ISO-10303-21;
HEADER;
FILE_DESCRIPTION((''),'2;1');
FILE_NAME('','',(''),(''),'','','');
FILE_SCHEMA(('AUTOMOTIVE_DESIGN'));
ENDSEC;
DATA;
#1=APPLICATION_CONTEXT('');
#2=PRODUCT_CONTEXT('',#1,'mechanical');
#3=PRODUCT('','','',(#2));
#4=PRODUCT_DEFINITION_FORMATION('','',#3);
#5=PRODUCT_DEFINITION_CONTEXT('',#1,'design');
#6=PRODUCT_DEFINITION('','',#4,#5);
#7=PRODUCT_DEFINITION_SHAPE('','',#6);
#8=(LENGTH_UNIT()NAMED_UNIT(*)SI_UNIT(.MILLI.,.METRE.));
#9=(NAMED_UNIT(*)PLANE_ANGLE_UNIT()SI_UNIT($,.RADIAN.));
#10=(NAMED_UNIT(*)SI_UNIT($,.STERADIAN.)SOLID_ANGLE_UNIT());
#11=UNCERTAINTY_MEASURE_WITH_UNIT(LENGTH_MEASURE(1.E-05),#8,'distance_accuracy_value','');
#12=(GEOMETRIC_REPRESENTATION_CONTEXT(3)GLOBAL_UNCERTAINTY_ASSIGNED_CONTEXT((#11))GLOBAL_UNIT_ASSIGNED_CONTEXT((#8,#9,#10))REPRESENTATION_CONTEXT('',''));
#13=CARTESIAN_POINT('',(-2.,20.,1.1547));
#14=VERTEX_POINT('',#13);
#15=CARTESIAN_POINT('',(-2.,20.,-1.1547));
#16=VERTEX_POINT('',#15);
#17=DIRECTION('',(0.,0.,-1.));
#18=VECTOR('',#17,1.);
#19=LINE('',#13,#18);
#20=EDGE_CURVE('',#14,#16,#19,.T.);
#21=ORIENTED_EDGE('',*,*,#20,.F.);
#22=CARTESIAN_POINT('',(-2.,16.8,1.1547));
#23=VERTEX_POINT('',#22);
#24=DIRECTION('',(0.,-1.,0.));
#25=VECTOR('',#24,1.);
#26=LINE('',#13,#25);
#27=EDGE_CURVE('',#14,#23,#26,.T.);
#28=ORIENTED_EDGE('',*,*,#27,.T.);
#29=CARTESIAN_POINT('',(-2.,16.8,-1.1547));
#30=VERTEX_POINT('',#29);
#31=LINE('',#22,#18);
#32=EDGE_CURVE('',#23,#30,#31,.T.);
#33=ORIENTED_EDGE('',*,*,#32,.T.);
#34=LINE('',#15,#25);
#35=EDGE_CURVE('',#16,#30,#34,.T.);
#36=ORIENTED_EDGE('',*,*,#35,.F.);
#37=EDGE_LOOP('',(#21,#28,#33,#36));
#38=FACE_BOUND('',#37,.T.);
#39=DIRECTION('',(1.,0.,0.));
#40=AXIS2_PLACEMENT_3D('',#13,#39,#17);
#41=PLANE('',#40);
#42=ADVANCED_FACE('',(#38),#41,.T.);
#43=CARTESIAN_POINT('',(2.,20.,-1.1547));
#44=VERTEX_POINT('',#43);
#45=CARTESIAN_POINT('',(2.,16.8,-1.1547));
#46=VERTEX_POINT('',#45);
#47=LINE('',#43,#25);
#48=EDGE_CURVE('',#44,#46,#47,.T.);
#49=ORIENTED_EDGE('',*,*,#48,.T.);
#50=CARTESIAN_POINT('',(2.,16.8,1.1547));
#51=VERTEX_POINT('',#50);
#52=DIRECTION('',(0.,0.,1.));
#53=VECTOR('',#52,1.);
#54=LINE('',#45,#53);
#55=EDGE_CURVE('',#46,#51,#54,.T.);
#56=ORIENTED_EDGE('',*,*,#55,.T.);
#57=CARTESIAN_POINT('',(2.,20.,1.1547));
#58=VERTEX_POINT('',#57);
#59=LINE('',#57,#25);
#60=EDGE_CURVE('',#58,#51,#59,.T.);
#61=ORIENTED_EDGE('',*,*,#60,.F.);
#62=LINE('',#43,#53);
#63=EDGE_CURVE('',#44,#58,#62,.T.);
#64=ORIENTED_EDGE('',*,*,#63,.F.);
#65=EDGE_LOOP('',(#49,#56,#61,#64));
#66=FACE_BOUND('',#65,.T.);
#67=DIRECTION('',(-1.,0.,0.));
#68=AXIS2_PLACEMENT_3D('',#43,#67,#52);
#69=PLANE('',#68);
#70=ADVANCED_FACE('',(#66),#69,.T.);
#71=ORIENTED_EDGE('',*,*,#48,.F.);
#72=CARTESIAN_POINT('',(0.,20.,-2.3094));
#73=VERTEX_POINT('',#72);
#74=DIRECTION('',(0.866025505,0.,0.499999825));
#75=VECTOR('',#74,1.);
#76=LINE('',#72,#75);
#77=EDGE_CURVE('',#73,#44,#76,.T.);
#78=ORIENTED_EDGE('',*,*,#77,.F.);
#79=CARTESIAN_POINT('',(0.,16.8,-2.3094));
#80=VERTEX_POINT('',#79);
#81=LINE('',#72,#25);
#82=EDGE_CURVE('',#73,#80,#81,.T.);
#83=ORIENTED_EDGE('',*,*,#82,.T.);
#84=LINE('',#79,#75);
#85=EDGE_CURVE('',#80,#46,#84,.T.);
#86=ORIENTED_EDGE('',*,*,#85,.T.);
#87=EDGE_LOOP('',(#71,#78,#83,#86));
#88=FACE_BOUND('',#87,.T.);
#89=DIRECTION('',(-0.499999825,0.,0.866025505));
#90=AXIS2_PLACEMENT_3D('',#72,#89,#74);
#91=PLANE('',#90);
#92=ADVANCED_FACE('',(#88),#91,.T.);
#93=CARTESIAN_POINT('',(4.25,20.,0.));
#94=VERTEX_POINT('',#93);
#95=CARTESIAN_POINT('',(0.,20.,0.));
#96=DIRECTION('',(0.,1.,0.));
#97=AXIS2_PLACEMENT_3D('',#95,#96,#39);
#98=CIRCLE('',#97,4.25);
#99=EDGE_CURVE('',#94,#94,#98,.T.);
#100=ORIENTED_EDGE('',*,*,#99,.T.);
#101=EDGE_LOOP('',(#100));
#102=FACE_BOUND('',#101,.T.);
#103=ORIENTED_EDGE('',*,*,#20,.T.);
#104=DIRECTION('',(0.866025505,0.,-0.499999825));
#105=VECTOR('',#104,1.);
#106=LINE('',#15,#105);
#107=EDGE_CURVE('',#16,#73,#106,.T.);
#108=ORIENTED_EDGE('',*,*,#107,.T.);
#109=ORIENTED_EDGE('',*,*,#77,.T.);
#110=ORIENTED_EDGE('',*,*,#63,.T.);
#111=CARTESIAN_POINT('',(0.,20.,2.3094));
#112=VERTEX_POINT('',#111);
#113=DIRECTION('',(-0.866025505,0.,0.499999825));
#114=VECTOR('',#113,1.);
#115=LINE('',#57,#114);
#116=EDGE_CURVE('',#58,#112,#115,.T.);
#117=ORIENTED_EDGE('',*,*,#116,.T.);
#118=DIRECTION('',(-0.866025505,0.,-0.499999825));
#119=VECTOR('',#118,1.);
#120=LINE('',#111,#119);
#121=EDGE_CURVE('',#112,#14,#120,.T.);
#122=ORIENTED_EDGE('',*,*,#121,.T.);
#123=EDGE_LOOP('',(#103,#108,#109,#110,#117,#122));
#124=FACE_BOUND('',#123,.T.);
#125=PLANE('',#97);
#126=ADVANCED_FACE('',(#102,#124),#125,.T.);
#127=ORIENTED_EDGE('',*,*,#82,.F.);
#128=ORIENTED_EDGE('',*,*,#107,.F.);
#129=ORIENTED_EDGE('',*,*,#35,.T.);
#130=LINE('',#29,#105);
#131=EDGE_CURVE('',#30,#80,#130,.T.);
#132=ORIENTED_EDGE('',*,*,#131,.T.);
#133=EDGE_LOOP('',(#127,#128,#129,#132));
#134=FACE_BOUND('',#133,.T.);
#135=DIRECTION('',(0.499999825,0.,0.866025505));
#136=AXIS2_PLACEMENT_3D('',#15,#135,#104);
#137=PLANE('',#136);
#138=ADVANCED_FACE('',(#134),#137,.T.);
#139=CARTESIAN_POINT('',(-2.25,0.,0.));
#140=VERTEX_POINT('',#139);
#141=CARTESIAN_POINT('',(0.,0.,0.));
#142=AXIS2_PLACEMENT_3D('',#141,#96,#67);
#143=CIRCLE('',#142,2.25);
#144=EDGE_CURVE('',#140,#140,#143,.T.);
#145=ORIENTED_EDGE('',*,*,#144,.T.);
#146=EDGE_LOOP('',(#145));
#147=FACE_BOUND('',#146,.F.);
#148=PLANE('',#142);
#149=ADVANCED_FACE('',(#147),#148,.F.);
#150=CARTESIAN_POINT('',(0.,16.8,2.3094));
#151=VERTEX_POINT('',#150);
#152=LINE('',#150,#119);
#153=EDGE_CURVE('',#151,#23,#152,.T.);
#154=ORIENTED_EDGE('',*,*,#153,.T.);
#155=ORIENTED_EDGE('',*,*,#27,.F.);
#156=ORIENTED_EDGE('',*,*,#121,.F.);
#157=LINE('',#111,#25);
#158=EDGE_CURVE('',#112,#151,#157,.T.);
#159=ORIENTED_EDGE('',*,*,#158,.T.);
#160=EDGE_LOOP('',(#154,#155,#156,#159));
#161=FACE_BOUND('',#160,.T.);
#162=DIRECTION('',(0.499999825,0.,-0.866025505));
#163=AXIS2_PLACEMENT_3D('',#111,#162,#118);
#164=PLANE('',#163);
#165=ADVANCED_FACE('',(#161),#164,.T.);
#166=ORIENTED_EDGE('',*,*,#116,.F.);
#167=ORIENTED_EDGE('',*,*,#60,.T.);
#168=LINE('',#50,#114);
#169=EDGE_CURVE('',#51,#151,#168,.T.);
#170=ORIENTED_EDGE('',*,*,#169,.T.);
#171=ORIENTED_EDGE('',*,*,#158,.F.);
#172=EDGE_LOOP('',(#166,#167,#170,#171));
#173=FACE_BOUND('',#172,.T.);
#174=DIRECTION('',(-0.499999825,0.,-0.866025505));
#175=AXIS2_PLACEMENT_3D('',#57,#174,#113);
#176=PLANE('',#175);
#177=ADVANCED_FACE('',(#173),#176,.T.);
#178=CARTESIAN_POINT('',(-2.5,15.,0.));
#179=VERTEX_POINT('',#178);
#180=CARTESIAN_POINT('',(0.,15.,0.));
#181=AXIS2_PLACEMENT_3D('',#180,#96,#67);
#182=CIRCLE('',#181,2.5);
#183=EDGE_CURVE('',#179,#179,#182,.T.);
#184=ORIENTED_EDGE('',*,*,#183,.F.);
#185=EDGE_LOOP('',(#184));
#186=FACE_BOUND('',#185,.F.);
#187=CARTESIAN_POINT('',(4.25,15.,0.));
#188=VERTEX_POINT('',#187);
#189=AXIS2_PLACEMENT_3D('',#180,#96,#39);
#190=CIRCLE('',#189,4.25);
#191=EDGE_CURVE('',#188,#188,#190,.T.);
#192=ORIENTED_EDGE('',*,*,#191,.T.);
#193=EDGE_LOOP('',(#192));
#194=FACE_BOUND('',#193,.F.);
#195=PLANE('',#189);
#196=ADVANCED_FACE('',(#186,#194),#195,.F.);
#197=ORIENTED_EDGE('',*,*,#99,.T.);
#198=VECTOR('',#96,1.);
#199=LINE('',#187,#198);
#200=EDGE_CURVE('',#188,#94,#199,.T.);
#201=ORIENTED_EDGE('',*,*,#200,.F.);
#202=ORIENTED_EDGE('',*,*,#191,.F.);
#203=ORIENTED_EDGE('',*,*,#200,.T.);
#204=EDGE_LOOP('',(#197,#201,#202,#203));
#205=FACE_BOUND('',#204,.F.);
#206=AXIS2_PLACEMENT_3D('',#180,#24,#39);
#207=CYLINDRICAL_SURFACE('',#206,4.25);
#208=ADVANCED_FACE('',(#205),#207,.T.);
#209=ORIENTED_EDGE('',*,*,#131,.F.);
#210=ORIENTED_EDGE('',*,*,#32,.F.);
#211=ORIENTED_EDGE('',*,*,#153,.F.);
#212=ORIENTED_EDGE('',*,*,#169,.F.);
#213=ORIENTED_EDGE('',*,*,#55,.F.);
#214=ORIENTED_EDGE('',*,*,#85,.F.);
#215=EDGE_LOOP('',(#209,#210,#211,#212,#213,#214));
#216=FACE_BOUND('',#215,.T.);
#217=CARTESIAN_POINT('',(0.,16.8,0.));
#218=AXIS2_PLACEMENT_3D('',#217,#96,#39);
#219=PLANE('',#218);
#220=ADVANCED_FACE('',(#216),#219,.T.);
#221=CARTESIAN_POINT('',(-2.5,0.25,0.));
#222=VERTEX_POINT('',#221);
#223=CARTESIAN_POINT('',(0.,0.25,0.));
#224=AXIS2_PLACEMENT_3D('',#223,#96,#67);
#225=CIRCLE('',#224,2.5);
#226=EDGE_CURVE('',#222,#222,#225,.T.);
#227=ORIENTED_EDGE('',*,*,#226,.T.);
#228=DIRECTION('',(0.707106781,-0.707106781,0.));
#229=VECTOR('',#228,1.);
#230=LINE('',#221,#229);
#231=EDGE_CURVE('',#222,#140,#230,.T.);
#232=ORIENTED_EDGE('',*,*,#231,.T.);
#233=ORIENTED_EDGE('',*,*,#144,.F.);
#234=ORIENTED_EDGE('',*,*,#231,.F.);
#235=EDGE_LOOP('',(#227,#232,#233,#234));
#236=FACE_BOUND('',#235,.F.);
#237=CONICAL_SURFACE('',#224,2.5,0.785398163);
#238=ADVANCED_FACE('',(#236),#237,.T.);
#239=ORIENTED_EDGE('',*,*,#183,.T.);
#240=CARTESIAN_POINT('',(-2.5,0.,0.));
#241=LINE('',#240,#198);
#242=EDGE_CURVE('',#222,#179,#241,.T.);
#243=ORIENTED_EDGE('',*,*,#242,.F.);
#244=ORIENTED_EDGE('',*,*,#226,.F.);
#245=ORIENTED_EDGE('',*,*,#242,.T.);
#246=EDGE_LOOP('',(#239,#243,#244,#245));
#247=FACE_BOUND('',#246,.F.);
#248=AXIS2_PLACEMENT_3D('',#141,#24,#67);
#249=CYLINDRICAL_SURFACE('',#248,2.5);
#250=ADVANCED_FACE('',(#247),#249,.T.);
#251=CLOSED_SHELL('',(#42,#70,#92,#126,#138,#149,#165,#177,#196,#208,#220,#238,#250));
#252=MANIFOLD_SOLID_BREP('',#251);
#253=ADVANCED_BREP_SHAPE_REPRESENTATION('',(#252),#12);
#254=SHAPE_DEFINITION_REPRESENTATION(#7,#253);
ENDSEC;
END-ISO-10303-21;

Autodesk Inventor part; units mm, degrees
ref_plane "YZ Plane" through (0, 0, 0) normal (1, 0, 0) x (0, 1, 0)
ref_plane "XZ Plane" through (0, 0, 0) normal (0, 1, 0) x (-1, 0, 0)
ref_plane "XY Plane" through (0, 0, 0) normal (0, 0, 1) x (1, 0, 0)
sketch "Sketch1" plane through (0, 0, 0) normal (0, 1, 0) x (-1, 0, 0)
  circle A0 centre (0, 0) radius 2.5
  dimension "d0" = 5
extrude "Extrusion1" add sketch "Sketch1" along normal blind 15
sketch "Sketch2" plane through (0, 15, 0) normal (0, 1, 0) x (1, 0, 0)
  circle A0 centre (0, 0) radius 2.5 projected
  circle A1 centre (0, 0) radius 4.25
  dimension "d3" = 8.5
extrude "Extrusion2" add sketch "Sketch2" along normal blind 5 contours A0 | A1
sketch "Sketch3" plane through (0, 20, 0) normal (0, 1, 0) x (1, 0, 0)
  circle A0 centre (0, 0) radius 4.25 projected
  line L0 (0, 2.3094) -> (2, 1.1547)
  line L1 (2, 1.1547) -> (2, -1.1547)
  line L2 (2, -1.1547) -> (0, -2.3094)
  line L3 (0, -2.3094) -> (-2, -1.1547)
  line L4 (-2, -1.1547) -> (-2, 1.1547)
  line L5 (-2, 1.1547) -> (0, 2.3094)
  dimension "d6" = 2
extrude "Extrusion3" cut sketch "Sketch3" against normal blind 3.2 contours L0 L1 L2 L3 L4 L5
thread "Thread1" size "M5x0.8" class "6g" standard "ANSI Metric M Profile" full length
chamfer "Chamfer1" distance 0.25 angle 45 1 edges at (2.5, 0, 0)
properties part number "SHCS5x15" material "Stainless Steel"
